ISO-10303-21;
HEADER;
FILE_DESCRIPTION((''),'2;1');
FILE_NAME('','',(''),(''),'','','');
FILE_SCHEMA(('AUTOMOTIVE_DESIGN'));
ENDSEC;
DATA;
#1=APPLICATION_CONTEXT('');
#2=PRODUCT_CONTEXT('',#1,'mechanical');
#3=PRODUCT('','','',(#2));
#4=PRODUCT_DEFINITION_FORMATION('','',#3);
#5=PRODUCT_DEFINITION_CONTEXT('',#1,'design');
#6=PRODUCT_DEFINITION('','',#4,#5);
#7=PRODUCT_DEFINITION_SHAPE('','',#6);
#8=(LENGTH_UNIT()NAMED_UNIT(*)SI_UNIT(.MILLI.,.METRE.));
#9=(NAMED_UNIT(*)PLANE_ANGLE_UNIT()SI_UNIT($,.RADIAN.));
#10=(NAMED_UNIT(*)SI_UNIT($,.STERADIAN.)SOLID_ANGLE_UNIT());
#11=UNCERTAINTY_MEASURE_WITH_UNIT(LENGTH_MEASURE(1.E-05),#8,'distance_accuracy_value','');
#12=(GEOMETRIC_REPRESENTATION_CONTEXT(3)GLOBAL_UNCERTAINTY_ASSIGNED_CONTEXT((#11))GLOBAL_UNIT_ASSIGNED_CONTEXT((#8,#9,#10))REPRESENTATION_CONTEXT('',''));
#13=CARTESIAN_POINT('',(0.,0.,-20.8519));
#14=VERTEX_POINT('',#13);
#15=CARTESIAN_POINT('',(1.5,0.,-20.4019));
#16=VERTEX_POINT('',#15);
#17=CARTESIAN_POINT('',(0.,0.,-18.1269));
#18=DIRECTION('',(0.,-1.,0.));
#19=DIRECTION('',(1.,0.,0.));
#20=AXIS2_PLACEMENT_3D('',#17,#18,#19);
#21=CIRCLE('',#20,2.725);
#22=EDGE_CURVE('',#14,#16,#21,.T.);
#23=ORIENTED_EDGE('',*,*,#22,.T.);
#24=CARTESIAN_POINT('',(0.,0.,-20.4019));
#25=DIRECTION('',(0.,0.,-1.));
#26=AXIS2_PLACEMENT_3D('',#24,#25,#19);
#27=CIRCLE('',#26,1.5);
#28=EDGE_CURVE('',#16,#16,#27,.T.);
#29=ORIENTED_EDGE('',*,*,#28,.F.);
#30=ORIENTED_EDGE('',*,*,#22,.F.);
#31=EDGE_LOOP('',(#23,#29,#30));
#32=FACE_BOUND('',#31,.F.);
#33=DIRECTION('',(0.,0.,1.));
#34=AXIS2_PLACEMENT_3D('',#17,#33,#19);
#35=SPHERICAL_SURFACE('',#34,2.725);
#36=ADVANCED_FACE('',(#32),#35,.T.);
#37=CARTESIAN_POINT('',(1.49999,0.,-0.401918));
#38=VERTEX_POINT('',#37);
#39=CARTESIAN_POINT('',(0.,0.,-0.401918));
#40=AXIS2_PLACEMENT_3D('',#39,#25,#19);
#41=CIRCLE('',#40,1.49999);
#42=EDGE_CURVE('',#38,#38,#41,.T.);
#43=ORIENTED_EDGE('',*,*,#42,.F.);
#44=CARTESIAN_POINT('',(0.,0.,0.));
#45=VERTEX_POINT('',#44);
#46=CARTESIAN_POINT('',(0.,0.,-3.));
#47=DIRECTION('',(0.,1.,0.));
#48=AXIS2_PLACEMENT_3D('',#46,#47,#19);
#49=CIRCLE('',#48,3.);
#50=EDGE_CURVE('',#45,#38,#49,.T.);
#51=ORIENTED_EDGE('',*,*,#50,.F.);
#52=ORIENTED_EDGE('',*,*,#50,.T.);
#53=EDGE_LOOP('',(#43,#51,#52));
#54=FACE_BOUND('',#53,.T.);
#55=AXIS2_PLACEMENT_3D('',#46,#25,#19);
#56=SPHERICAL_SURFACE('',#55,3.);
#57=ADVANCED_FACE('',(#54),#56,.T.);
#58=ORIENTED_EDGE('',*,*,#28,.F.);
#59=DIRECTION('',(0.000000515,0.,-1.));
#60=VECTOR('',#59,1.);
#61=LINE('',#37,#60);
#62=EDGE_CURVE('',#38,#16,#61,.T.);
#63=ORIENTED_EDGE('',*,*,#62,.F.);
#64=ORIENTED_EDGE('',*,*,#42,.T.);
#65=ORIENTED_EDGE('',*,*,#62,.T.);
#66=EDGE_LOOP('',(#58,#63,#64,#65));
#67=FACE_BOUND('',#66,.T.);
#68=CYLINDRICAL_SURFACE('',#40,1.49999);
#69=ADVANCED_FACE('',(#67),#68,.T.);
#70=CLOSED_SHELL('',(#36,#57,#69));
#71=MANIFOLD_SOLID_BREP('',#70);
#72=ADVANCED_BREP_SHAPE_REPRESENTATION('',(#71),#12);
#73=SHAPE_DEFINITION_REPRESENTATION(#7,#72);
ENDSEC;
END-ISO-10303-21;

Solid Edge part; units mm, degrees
sketch "Sketch1" plane through (0, 0, 0) normal (0, -1, 0) x (1, 0, 0)
  line L0 (1.5, -0.4019) -> (1.5, -20.4019)
  arc A0 (0, -20.8519) -> (1.5, -20.4019) centre (0, -18.1269) ccw
  arc A1 (0, 0) -> (1.5, -0.4019) centre (0, -3) cw
  dimension "D1" = 1.5
  dimension "D2" = 20
  dimension "D3" = 3
  dimension "D4" = 0.45
revolve "RevolvedProtrusion_1" add sketch "Sketch1" angle 360 about axis through (0, 0, 0) along (0, 0, -1)
properties material "Stahl"
